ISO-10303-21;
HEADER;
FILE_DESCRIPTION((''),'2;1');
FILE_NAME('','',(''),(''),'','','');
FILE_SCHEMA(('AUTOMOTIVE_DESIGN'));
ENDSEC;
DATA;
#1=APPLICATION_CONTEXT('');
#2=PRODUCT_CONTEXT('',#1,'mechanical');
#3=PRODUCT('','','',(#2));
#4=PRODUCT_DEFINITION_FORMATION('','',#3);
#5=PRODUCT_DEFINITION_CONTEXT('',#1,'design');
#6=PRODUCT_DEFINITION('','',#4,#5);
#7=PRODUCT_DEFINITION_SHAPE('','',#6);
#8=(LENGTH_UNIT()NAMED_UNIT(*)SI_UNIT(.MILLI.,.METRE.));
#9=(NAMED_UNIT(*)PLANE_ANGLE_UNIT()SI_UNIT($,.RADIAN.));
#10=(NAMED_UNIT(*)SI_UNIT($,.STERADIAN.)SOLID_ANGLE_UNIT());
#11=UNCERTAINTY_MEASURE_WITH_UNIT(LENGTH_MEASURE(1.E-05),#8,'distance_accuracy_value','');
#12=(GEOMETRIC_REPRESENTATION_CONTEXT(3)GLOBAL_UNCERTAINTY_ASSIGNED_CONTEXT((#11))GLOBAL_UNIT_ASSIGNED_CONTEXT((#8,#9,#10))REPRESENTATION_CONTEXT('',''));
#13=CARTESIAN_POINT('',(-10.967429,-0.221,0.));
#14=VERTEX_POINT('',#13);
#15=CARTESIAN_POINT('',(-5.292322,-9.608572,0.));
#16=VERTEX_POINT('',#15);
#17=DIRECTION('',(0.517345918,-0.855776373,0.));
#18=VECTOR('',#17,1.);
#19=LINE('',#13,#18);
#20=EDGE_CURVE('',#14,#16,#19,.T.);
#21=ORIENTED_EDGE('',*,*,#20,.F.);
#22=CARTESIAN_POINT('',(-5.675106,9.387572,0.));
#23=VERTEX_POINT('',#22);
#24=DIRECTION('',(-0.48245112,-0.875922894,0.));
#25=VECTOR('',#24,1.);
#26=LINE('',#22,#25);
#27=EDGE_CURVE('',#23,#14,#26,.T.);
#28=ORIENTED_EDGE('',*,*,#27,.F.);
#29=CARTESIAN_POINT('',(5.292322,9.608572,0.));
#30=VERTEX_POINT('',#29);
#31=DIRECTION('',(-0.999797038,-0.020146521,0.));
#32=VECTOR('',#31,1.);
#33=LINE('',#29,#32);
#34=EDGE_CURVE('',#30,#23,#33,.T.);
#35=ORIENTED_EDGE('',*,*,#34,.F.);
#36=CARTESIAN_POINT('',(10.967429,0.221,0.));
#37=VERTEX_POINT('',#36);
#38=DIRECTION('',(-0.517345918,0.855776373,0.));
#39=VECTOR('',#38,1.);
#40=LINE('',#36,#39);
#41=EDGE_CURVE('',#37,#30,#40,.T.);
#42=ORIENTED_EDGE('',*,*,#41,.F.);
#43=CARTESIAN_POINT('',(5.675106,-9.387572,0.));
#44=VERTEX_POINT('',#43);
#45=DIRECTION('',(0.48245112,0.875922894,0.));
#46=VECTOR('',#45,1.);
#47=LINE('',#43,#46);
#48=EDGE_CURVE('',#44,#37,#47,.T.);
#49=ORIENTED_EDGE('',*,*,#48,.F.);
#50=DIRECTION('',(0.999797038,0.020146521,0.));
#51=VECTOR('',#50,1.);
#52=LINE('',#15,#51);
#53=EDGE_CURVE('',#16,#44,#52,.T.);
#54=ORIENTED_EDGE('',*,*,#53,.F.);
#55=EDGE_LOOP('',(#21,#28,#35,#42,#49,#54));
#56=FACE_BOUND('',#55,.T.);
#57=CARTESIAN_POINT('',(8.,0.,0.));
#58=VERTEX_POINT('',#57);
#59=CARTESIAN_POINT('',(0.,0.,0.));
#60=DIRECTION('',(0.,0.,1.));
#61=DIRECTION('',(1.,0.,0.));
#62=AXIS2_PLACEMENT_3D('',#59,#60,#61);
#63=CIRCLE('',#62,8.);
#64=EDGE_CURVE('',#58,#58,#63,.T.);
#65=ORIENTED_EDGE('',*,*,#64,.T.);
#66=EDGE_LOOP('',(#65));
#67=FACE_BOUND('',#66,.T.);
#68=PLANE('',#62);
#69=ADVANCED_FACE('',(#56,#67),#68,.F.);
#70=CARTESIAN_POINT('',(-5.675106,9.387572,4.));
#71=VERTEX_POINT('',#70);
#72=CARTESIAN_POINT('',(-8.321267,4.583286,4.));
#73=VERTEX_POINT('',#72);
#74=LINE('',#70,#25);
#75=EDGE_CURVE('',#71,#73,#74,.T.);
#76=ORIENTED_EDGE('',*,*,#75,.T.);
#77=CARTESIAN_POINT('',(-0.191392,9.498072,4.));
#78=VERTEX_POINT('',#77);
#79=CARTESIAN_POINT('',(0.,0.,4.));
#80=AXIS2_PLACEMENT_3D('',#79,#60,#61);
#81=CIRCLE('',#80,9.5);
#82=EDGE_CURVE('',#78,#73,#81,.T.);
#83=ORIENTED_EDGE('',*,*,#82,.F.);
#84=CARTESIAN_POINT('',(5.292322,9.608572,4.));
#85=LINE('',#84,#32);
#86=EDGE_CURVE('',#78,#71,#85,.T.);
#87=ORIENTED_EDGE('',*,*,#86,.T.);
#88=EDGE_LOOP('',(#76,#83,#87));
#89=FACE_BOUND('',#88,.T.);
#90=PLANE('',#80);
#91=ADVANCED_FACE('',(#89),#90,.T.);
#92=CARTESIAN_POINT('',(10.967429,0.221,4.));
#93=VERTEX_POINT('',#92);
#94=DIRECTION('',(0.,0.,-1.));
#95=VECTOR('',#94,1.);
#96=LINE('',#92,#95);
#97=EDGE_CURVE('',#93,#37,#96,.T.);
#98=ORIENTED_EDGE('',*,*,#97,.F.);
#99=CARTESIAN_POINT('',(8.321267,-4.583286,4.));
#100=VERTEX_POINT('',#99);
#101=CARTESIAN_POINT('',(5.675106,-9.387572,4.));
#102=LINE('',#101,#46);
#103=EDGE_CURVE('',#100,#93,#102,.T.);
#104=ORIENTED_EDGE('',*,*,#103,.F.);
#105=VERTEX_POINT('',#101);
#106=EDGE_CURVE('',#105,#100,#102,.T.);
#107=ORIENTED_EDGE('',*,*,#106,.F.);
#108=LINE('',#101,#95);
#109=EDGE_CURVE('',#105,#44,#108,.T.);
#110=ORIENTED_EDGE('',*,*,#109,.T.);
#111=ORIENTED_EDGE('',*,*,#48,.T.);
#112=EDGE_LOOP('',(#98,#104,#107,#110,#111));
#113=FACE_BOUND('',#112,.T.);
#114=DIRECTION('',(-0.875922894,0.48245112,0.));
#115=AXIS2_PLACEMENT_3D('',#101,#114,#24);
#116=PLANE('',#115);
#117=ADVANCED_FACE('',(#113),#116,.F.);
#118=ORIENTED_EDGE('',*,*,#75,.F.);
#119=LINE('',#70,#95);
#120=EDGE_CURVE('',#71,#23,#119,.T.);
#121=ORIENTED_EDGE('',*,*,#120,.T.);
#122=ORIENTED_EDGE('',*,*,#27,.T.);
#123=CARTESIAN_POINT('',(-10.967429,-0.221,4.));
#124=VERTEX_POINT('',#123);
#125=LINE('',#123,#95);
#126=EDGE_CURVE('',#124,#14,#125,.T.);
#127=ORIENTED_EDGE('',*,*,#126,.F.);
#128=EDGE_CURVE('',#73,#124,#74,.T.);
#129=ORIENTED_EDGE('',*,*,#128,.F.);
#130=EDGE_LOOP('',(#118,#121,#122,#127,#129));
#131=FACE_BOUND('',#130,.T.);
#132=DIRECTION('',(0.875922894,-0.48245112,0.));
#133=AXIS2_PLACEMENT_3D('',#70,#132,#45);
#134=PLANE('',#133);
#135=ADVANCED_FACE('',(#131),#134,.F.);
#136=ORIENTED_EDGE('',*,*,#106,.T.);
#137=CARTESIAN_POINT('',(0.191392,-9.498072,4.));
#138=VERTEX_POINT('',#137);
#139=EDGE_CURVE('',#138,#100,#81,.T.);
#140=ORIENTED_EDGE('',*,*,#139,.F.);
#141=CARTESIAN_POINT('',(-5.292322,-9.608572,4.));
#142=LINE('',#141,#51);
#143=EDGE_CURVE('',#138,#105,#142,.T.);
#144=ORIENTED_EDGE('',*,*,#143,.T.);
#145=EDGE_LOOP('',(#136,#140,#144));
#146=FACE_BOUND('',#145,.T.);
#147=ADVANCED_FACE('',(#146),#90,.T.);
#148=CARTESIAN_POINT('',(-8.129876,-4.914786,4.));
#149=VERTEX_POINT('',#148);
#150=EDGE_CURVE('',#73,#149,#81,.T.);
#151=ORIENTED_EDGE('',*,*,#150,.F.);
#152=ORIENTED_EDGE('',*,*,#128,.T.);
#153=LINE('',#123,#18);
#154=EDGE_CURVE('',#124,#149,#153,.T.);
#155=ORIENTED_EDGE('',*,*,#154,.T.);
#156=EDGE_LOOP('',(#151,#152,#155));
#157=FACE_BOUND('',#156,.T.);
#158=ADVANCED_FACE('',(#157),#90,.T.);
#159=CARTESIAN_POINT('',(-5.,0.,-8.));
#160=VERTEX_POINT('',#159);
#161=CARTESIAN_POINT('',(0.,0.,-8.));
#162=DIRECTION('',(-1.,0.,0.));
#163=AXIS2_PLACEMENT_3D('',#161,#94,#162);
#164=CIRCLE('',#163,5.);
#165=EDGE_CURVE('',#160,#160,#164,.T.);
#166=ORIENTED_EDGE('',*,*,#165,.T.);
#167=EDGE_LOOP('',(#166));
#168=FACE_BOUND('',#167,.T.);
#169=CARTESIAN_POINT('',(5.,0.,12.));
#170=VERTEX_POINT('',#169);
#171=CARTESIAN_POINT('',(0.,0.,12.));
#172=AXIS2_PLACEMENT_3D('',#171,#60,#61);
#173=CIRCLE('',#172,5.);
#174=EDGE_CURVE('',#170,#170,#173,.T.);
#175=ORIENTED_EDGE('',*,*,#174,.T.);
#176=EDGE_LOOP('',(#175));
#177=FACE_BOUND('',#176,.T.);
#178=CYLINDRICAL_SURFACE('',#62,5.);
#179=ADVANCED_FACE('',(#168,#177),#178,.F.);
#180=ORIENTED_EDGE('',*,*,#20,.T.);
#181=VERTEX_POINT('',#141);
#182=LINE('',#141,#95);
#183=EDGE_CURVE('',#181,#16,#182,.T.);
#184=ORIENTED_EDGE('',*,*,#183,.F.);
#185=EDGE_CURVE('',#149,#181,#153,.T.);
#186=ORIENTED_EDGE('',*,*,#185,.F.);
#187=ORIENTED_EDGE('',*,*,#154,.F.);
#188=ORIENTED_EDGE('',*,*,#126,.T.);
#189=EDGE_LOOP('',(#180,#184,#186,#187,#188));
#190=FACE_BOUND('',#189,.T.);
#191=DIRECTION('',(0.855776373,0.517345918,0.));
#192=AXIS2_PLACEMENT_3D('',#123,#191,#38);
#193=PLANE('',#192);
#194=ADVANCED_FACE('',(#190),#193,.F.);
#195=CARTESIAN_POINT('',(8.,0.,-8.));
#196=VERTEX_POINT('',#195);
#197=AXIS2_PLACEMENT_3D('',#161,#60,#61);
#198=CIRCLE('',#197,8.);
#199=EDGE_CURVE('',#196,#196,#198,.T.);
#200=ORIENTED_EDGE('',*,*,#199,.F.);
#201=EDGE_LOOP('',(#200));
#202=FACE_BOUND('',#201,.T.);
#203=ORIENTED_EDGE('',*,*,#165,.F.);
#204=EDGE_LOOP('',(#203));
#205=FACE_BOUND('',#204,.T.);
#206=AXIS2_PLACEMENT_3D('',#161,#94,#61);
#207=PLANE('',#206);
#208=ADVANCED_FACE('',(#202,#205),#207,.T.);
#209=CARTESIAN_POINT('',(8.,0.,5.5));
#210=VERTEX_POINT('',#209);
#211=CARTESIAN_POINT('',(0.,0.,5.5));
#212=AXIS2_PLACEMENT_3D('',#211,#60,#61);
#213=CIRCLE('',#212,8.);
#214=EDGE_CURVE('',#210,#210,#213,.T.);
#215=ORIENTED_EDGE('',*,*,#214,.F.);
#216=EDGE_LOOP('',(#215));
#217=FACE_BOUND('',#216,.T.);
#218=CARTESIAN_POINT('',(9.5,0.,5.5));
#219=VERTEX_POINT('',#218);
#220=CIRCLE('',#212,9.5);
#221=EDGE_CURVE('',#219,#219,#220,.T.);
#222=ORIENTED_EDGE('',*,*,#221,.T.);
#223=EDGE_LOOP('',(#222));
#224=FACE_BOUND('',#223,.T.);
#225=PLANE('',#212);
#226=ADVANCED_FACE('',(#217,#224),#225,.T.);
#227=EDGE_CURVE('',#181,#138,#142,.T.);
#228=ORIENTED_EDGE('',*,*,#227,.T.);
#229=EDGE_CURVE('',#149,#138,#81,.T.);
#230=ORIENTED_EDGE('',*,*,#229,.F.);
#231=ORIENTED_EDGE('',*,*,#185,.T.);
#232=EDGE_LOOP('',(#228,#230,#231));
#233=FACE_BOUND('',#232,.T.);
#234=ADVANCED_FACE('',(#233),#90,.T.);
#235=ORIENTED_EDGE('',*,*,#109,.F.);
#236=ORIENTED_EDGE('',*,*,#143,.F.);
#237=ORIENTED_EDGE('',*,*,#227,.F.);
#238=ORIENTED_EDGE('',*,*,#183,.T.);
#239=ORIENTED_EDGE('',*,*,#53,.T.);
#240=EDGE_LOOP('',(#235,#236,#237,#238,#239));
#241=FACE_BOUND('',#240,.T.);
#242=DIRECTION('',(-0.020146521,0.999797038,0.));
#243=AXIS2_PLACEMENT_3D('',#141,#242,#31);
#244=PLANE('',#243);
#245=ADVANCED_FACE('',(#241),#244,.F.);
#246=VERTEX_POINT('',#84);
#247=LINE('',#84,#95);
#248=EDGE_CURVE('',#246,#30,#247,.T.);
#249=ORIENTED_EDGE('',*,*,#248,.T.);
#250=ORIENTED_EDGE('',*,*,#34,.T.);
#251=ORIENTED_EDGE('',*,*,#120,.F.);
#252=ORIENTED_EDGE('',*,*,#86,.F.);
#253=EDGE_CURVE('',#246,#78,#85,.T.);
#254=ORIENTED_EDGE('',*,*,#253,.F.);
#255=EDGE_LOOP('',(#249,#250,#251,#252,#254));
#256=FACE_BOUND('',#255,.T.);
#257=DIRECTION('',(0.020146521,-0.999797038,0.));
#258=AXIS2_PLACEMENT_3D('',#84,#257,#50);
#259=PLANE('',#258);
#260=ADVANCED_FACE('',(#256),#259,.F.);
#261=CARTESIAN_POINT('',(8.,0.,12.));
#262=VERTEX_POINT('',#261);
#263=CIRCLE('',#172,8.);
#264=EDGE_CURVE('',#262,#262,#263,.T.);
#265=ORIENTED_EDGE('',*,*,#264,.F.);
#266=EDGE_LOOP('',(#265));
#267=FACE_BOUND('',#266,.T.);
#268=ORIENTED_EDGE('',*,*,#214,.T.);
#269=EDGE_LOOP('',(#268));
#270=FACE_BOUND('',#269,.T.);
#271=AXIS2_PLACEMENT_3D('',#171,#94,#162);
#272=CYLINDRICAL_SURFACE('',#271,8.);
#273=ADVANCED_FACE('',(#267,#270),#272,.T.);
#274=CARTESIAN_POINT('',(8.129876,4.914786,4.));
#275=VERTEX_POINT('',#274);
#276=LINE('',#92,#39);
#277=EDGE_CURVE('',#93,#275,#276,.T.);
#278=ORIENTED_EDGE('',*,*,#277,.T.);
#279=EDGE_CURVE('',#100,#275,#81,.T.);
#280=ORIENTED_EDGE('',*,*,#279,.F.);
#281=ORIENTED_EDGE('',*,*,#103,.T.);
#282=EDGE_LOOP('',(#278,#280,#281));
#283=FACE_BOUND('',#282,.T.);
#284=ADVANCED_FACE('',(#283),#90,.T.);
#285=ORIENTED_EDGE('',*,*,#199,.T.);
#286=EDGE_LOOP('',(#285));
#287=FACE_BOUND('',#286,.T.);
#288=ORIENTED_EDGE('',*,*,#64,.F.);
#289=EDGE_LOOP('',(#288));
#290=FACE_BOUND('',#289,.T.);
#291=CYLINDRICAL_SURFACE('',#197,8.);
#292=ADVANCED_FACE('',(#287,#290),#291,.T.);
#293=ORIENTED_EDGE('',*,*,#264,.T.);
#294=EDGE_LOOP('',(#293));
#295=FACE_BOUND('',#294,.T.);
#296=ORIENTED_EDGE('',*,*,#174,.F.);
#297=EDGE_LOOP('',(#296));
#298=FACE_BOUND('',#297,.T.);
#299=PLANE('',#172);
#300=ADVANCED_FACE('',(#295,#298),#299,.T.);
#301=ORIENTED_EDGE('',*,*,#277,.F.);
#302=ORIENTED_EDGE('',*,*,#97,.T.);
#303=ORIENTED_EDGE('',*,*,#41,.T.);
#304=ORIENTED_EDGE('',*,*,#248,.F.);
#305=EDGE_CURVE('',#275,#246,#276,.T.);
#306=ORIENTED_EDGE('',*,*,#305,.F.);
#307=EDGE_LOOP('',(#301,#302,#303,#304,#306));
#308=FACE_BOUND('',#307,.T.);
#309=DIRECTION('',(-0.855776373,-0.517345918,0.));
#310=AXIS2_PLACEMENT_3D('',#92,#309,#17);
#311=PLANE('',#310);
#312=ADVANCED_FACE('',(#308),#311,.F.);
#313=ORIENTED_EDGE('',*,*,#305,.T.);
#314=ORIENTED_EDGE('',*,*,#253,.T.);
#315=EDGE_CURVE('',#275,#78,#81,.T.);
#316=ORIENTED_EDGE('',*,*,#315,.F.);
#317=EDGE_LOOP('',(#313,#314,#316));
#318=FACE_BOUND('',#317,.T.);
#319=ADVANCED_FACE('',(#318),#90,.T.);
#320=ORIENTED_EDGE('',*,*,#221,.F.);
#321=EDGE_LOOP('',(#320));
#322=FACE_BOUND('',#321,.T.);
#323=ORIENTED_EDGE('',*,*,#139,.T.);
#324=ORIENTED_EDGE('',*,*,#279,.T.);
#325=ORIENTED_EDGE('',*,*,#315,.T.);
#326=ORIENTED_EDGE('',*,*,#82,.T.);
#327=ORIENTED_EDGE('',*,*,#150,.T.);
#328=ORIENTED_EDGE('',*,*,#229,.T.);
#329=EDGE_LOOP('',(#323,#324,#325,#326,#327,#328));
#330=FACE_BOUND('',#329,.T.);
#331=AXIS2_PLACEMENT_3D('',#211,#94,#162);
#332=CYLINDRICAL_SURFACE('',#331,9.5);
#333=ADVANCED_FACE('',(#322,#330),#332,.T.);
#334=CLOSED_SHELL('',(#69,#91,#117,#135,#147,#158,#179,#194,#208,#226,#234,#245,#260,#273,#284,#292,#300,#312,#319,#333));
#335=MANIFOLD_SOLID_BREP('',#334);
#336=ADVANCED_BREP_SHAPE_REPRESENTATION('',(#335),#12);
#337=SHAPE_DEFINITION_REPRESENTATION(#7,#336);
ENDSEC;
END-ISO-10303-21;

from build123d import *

# Parameters (mm, degrees)
BOSS_EXTRUDE1_DEPTH = 4
SKETCH2_R           = 8
BOSS_EXTRUDE3_DEPTH = 8
SKETCH3_R           = 5
CUT_EXTRUDE2_DEPTH  = 12
SKETCH4_R           = 5
CUT_EXTRUDE3_DEPTH  = 12
SKETCH6_R           = 9.5
BOSS_EXTRUDE6_DEPTH = 1.5
SKETCH15_R          = 5
CUT_EXTRUDE8_DEPTH  = 3.5


with BuildPart() as part:
    # Sketch1 → Boss-Extrude1 (new body)
    with BuildSketch(Plane.XY):
        Polygon((5.675106298, -9.387571669), (10.967428694, 0.221000389), (5.292322396, 9.608572058), (-5.675106298, 9.387571669), (-10.967428694, -0.221000389), (-5.292322396, -9.608572058), align=None)
    boss_extrude1 = extrude(amount=BOSS_EXTRUDE1_DEPTH)

    # Sketch2 → Boss-Extrude3 (add)
    with BuildSketch(Plane.XY.offset(4)):
        Circle(SKETCH2_R)
    boss_extrude3 = extrude(amount=BOSS_EXTRUDE3_DEPTH)

    # Sketch3 → Cut-Extrude2 (cut)
    with BuildSketch(Plane.XY.offset(12)):
        Circle(SKETCH3_R)
    extrude(amount=-CUT_EXTRUDE2_DEPTH, mode=Mode.SUBTRACT)

    # Mirror2: Boss-Extrude1, Boss-Extrude3 across plane
    add(boss_extrude1.mirror(Plane(origin=(0, 0, 2), x_dir=(1, 0, 0), z_dir=(0, 0, -1))))
    add(boss_extrude3.mirror(Plane(origin=(0, 0, 2), x_dir=(1, 0, 0), z_dir=(0, 0, -1))))

    # Sketch4 → Cut-Extrude3 (cut)
    with BuildSketch(Plane(origin=(0, 0, -8), x_dir=(-1, 0, 0), z_dir=(0, 0, -1))):
        Circle(SKETCH4_R)
    extrude(amount=-CUT_EXTRUDE3_DEPTH, mode=Mode.SUBTRACT)

    # Sketch6 → Boss-Extrude6 (add)
    with BuildSketch(Plane.XY.offset(4)):
        Circle(SKETCH6_R)
    extrude(amount=BOSS_EXTRUDE6_DEPTH)

    # Sketch15 → Cut-Extrude8 (cut)
    with BuildSketch(Plane.XY.offset(4)):
        Circle(SKETCH15_R)
    extrude(amount=CUT_EXTRUDE8_DEPTH, mode=Mode.SUBTRACT)


solid = part.part
